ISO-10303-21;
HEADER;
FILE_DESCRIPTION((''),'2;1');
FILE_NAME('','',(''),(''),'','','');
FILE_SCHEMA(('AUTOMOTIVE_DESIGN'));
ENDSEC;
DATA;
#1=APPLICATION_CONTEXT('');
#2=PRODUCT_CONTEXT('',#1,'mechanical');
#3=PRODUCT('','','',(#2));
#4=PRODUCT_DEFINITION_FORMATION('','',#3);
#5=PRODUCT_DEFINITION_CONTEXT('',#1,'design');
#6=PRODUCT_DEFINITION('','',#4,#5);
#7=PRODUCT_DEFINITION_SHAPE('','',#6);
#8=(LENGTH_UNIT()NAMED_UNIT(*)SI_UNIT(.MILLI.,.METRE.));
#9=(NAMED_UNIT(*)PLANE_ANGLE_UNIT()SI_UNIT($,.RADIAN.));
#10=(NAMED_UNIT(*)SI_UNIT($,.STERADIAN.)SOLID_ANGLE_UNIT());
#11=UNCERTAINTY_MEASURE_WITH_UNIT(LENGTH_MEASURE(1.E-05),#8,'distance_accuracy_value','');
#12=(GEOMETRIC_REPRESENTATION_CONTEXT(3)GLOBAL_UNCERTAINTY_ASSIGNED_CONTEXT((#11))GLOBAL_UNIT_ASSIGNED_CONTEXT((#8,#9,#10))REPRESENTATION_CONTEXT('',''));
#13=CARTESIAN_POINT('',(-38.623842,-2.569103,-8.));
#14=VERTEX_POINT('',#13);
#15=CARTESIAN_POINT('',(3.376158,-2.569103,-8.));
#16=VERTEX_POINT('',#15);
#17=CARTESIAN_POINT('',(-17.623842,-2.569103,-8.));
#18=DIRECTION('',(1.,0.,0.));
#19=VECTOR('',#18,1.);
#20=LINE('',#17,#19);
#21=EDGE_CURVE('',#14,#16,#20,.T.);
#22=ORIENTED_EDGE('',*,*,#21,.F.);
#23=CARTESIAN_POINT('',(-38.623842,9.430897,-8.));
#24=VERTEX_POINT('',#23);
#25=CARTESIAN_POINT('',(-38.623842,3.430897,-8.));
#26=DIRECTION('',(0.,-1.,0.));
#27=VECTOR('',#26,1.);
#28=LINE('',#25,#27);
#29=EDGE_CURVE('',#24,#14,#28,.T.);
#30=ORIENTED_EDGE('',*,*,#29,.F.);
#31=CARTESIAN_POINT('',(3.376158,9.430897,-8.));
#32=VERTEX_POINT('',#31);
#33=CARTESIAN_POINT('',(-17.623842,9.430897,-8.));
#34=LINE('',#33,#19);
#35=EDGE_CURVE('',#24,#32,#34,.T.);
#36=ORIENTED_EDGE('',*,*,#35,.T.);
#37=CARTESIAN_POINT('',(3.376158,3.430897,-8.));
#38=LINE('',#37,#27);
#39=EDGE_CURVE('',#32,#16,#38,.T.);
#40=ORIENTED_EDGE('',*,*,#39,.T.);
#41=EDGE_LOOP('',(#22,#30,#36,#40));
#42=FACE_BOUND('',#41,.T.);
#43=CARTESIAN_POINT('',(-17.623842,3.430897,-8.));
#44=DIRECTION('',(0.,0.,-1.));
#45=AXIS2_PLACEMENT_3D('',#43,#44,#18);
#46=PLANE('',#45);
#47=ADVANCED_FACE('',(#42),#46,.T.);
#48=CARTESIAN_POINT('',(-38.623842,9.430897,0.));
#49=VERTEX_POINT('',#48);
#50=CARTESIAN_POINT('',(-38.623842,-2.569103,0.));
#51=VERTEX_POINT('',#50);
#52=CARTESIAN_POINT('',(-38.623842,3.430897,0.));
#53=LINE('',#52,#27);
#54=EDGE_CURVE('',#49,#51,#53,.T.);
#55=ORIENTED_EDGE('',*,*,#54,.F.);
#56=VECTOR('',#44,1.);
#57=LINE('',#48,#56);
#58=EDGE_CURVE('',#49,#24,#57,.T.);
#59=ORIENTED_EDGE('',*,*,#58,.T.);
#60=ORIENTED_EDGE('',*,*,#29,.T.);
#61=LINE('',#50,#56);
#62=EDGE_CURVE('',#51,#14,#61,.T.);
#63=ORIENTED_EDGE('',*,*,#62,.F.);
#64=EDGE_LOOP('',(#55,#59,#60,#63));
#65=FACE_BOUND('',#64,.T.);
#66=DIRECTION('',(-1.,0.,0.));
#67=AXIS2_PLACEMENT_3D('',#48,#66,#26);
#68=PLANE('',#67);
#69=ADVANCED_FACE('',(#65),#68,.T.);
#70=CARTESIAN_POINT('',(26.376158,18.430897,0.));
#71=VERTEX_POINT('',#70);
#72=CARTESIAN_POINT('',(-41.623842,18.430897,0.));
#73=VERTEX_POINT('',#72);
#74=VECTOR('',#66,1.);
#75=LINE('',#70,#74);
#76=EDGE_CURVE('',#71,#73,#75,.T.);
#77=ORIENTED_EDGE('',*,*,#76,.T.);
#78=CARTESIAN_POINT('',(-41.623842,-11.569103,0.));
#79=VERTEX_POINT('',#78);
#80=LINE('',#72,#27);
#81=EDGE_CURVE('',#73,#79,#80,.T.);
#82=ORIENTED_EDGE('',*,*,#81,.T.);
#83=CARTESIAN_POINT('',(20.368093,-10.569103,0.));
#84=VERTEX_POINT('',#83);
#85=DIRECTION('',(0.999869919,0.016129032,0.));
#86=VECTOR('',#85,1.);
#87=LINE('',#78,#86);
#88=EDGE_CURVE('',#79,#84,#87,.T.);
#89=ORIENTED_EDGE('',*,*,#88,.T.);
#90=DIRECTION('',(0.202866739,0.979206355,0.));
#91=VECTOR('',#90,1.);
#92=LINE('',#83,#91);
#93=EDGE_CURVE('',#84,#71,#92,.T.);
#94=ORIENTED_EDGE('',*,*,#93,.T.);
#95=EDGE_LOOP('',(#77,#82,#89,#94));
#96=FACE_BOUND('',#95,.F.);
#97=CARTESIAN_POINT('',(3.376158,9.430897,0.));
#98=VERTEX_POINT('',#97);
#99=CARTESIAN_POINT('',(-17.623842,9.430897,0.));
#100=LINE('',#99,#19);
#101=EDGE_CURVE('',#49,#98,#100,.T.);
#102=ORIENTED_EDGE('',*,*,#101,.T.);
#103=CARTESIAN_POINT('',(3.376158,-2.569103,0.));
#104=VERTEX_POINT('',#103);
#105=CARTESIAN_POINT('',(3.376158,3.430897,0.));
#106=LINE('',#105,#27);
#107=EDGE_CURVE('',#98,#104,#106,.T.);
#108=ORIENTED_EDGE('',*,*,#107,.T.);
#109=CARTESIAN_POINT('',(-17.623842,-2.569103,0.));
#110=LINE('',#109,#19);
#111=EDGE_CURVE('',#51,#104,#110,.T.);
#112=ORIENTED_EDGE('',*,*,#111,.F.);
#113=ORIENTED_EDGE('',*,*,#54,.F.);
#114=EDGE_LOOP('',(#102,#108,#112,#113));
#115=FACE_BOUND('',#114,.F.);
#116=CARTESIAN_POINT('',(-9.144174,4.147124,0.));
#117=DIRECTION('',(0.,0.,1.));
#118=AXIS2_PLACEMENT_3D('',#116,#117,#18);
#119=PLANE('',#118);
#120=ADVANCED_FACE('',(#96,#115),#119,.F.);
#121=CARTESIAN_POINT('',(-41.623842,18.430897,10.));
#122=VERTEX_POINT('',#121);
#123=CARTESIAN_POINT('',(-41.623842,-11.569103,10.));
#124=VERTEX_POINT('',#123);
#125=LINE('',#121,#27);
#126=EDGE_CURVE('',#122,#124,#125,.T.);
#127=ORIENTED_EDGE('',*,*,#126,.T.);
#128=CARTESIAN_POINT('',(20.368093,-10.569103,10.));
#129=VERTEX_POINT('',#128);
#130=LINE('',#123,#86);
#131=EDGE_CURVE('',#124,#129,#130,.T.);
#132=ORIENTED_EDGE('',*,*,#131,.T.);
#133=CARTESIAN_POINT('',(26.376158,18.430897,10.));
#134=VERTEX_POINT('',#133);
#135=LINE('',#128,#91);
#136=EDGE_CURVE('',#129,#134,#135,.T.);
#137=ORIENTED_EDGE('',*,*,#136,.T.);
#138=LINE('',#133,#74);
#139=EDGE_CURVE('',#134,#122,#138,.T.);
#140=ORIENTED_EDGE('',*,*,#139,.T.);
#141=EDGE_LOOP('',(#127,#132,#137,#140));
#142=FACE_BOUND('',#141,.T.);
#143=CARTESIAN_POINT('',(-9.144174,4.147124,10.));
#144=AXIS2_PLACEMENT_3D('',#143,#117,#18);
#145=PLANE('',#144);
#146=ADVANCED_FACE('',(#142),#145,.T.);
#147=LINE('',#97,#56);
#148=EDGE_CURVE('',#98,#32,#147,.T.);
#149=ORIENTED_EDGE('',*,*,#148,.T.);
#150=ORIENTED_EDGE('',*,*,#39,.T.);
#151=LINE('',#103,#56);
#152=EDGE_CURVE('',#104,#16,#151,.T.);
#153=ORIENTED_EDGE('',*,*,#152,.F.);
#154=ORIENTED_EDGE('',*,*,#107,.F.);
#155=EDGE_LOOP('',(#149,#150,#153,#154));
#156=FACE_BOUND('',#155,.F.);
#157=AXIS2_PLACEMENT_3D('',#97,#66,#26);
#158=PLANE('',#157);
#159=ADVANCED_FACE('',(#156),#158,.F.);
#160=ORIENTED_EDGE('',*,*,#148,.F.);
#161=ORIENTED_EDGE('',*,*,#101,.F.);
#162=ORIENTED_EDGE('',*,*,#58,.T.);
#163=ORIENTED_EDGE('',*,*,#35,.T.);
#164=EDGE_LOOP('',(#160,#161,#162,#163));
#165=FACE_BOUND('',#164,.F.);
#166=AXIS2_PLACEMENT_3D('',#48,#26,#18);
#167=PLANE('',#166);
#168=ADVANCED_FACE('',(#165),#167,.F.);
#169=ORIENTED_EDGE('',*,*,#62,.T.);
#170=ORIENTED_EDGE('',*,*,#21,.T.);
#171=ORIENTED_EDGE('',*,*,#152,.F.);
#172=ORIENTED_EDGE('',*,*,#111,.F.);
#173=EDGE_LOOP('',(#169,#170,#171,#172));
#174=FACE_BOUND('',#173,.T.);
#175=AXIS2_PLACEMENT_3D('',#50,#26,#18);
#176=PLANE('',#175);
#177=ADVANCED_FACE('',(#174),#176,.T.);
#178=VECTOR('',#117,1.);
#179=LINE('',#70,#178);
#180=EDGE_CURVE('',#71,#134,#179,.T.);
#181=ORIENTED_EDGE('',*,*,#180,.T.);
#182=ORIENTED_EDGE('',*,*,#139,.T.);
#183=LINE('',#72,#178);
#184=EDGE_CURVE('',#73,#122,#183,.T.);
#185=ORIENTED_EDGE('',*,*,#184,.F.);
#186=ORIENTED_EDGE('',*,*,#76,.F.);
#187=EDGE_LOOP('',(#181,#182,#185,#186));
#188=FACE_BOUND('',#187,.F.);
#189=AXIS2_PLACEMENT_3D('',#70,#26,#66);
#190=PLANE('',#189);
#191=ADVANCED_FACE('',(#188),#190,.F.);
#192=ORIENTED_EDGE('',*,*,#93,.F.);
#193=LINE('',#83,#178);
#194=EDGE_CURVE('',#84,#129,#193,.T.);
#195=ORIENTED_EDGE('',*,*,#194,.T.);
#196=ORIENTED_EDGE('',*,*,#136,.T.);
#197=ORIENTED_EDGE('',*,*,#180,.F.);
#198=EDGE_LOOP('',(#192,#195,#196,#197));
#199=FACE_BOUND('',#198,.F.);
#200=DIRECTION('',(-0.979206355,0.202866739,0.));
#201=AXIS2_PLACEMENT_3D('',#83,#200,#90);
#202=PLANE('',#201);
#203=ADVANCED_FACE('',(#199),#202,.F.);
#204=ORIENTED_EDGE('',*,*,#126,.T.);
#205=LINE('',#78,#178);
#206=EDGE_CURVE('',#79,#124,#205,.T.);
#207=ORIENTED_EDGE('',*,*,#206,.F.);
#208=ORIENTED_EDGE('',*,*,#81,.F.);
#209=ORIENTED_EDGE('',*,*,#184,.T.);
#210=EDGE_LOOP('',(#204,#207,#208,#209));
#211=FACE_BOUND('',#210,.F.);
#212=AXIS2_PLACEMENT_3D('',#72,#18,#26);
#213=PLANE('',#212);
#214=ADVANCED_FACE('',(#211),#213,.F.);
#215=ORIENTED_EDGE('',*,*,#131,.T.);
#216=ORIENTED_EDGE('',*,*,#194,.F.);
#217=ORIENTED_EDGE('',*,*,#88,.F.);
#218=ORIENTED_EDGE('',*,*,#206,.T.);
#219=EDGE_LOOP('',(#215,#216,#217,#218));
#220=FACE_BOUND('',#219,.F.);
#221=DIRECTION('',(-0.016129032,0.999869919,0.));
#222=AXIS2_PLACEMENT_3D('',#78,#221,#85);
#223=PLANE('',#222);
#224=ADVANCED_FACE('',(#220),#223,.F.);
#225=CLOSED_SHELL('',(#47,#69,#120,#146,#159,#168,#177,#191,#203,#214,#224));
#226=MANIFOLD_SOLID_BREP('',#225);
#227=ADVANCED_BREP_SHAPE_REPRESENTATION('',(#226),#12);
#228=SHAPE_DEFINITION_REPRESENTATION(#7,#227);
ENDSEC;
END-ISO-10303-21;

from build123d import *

# Parameters (mm, degrees)
F1_DEPTH = 10
F2_W     = 42
F2_H     = 12
F3_DEPTH = 8


with BuildPart() as f1:
    # F0 (on Top) → F1 (new body)
    with BuildSketch(Plane.XY):
        Polygon((26.376158, 18.430897), (-41.623842, 18.430897), (-41.623842, -11.569103), (20.368093, -10.569103), align=None)
    extrude(amount=F1_DEPTH)

    # F2 (on face) → F3 (join)
    with BuildSketch(Plane(origin=(0, 0, 0), x_dir=(1, 0, 0), z_dir=(0, 0, -1))):
        with Locations((-17.623842, -3.430897)):
            Rectangle(F2_W, F2_H)
    extrude(amount=F3_DEPTH)


solid = f1.part
